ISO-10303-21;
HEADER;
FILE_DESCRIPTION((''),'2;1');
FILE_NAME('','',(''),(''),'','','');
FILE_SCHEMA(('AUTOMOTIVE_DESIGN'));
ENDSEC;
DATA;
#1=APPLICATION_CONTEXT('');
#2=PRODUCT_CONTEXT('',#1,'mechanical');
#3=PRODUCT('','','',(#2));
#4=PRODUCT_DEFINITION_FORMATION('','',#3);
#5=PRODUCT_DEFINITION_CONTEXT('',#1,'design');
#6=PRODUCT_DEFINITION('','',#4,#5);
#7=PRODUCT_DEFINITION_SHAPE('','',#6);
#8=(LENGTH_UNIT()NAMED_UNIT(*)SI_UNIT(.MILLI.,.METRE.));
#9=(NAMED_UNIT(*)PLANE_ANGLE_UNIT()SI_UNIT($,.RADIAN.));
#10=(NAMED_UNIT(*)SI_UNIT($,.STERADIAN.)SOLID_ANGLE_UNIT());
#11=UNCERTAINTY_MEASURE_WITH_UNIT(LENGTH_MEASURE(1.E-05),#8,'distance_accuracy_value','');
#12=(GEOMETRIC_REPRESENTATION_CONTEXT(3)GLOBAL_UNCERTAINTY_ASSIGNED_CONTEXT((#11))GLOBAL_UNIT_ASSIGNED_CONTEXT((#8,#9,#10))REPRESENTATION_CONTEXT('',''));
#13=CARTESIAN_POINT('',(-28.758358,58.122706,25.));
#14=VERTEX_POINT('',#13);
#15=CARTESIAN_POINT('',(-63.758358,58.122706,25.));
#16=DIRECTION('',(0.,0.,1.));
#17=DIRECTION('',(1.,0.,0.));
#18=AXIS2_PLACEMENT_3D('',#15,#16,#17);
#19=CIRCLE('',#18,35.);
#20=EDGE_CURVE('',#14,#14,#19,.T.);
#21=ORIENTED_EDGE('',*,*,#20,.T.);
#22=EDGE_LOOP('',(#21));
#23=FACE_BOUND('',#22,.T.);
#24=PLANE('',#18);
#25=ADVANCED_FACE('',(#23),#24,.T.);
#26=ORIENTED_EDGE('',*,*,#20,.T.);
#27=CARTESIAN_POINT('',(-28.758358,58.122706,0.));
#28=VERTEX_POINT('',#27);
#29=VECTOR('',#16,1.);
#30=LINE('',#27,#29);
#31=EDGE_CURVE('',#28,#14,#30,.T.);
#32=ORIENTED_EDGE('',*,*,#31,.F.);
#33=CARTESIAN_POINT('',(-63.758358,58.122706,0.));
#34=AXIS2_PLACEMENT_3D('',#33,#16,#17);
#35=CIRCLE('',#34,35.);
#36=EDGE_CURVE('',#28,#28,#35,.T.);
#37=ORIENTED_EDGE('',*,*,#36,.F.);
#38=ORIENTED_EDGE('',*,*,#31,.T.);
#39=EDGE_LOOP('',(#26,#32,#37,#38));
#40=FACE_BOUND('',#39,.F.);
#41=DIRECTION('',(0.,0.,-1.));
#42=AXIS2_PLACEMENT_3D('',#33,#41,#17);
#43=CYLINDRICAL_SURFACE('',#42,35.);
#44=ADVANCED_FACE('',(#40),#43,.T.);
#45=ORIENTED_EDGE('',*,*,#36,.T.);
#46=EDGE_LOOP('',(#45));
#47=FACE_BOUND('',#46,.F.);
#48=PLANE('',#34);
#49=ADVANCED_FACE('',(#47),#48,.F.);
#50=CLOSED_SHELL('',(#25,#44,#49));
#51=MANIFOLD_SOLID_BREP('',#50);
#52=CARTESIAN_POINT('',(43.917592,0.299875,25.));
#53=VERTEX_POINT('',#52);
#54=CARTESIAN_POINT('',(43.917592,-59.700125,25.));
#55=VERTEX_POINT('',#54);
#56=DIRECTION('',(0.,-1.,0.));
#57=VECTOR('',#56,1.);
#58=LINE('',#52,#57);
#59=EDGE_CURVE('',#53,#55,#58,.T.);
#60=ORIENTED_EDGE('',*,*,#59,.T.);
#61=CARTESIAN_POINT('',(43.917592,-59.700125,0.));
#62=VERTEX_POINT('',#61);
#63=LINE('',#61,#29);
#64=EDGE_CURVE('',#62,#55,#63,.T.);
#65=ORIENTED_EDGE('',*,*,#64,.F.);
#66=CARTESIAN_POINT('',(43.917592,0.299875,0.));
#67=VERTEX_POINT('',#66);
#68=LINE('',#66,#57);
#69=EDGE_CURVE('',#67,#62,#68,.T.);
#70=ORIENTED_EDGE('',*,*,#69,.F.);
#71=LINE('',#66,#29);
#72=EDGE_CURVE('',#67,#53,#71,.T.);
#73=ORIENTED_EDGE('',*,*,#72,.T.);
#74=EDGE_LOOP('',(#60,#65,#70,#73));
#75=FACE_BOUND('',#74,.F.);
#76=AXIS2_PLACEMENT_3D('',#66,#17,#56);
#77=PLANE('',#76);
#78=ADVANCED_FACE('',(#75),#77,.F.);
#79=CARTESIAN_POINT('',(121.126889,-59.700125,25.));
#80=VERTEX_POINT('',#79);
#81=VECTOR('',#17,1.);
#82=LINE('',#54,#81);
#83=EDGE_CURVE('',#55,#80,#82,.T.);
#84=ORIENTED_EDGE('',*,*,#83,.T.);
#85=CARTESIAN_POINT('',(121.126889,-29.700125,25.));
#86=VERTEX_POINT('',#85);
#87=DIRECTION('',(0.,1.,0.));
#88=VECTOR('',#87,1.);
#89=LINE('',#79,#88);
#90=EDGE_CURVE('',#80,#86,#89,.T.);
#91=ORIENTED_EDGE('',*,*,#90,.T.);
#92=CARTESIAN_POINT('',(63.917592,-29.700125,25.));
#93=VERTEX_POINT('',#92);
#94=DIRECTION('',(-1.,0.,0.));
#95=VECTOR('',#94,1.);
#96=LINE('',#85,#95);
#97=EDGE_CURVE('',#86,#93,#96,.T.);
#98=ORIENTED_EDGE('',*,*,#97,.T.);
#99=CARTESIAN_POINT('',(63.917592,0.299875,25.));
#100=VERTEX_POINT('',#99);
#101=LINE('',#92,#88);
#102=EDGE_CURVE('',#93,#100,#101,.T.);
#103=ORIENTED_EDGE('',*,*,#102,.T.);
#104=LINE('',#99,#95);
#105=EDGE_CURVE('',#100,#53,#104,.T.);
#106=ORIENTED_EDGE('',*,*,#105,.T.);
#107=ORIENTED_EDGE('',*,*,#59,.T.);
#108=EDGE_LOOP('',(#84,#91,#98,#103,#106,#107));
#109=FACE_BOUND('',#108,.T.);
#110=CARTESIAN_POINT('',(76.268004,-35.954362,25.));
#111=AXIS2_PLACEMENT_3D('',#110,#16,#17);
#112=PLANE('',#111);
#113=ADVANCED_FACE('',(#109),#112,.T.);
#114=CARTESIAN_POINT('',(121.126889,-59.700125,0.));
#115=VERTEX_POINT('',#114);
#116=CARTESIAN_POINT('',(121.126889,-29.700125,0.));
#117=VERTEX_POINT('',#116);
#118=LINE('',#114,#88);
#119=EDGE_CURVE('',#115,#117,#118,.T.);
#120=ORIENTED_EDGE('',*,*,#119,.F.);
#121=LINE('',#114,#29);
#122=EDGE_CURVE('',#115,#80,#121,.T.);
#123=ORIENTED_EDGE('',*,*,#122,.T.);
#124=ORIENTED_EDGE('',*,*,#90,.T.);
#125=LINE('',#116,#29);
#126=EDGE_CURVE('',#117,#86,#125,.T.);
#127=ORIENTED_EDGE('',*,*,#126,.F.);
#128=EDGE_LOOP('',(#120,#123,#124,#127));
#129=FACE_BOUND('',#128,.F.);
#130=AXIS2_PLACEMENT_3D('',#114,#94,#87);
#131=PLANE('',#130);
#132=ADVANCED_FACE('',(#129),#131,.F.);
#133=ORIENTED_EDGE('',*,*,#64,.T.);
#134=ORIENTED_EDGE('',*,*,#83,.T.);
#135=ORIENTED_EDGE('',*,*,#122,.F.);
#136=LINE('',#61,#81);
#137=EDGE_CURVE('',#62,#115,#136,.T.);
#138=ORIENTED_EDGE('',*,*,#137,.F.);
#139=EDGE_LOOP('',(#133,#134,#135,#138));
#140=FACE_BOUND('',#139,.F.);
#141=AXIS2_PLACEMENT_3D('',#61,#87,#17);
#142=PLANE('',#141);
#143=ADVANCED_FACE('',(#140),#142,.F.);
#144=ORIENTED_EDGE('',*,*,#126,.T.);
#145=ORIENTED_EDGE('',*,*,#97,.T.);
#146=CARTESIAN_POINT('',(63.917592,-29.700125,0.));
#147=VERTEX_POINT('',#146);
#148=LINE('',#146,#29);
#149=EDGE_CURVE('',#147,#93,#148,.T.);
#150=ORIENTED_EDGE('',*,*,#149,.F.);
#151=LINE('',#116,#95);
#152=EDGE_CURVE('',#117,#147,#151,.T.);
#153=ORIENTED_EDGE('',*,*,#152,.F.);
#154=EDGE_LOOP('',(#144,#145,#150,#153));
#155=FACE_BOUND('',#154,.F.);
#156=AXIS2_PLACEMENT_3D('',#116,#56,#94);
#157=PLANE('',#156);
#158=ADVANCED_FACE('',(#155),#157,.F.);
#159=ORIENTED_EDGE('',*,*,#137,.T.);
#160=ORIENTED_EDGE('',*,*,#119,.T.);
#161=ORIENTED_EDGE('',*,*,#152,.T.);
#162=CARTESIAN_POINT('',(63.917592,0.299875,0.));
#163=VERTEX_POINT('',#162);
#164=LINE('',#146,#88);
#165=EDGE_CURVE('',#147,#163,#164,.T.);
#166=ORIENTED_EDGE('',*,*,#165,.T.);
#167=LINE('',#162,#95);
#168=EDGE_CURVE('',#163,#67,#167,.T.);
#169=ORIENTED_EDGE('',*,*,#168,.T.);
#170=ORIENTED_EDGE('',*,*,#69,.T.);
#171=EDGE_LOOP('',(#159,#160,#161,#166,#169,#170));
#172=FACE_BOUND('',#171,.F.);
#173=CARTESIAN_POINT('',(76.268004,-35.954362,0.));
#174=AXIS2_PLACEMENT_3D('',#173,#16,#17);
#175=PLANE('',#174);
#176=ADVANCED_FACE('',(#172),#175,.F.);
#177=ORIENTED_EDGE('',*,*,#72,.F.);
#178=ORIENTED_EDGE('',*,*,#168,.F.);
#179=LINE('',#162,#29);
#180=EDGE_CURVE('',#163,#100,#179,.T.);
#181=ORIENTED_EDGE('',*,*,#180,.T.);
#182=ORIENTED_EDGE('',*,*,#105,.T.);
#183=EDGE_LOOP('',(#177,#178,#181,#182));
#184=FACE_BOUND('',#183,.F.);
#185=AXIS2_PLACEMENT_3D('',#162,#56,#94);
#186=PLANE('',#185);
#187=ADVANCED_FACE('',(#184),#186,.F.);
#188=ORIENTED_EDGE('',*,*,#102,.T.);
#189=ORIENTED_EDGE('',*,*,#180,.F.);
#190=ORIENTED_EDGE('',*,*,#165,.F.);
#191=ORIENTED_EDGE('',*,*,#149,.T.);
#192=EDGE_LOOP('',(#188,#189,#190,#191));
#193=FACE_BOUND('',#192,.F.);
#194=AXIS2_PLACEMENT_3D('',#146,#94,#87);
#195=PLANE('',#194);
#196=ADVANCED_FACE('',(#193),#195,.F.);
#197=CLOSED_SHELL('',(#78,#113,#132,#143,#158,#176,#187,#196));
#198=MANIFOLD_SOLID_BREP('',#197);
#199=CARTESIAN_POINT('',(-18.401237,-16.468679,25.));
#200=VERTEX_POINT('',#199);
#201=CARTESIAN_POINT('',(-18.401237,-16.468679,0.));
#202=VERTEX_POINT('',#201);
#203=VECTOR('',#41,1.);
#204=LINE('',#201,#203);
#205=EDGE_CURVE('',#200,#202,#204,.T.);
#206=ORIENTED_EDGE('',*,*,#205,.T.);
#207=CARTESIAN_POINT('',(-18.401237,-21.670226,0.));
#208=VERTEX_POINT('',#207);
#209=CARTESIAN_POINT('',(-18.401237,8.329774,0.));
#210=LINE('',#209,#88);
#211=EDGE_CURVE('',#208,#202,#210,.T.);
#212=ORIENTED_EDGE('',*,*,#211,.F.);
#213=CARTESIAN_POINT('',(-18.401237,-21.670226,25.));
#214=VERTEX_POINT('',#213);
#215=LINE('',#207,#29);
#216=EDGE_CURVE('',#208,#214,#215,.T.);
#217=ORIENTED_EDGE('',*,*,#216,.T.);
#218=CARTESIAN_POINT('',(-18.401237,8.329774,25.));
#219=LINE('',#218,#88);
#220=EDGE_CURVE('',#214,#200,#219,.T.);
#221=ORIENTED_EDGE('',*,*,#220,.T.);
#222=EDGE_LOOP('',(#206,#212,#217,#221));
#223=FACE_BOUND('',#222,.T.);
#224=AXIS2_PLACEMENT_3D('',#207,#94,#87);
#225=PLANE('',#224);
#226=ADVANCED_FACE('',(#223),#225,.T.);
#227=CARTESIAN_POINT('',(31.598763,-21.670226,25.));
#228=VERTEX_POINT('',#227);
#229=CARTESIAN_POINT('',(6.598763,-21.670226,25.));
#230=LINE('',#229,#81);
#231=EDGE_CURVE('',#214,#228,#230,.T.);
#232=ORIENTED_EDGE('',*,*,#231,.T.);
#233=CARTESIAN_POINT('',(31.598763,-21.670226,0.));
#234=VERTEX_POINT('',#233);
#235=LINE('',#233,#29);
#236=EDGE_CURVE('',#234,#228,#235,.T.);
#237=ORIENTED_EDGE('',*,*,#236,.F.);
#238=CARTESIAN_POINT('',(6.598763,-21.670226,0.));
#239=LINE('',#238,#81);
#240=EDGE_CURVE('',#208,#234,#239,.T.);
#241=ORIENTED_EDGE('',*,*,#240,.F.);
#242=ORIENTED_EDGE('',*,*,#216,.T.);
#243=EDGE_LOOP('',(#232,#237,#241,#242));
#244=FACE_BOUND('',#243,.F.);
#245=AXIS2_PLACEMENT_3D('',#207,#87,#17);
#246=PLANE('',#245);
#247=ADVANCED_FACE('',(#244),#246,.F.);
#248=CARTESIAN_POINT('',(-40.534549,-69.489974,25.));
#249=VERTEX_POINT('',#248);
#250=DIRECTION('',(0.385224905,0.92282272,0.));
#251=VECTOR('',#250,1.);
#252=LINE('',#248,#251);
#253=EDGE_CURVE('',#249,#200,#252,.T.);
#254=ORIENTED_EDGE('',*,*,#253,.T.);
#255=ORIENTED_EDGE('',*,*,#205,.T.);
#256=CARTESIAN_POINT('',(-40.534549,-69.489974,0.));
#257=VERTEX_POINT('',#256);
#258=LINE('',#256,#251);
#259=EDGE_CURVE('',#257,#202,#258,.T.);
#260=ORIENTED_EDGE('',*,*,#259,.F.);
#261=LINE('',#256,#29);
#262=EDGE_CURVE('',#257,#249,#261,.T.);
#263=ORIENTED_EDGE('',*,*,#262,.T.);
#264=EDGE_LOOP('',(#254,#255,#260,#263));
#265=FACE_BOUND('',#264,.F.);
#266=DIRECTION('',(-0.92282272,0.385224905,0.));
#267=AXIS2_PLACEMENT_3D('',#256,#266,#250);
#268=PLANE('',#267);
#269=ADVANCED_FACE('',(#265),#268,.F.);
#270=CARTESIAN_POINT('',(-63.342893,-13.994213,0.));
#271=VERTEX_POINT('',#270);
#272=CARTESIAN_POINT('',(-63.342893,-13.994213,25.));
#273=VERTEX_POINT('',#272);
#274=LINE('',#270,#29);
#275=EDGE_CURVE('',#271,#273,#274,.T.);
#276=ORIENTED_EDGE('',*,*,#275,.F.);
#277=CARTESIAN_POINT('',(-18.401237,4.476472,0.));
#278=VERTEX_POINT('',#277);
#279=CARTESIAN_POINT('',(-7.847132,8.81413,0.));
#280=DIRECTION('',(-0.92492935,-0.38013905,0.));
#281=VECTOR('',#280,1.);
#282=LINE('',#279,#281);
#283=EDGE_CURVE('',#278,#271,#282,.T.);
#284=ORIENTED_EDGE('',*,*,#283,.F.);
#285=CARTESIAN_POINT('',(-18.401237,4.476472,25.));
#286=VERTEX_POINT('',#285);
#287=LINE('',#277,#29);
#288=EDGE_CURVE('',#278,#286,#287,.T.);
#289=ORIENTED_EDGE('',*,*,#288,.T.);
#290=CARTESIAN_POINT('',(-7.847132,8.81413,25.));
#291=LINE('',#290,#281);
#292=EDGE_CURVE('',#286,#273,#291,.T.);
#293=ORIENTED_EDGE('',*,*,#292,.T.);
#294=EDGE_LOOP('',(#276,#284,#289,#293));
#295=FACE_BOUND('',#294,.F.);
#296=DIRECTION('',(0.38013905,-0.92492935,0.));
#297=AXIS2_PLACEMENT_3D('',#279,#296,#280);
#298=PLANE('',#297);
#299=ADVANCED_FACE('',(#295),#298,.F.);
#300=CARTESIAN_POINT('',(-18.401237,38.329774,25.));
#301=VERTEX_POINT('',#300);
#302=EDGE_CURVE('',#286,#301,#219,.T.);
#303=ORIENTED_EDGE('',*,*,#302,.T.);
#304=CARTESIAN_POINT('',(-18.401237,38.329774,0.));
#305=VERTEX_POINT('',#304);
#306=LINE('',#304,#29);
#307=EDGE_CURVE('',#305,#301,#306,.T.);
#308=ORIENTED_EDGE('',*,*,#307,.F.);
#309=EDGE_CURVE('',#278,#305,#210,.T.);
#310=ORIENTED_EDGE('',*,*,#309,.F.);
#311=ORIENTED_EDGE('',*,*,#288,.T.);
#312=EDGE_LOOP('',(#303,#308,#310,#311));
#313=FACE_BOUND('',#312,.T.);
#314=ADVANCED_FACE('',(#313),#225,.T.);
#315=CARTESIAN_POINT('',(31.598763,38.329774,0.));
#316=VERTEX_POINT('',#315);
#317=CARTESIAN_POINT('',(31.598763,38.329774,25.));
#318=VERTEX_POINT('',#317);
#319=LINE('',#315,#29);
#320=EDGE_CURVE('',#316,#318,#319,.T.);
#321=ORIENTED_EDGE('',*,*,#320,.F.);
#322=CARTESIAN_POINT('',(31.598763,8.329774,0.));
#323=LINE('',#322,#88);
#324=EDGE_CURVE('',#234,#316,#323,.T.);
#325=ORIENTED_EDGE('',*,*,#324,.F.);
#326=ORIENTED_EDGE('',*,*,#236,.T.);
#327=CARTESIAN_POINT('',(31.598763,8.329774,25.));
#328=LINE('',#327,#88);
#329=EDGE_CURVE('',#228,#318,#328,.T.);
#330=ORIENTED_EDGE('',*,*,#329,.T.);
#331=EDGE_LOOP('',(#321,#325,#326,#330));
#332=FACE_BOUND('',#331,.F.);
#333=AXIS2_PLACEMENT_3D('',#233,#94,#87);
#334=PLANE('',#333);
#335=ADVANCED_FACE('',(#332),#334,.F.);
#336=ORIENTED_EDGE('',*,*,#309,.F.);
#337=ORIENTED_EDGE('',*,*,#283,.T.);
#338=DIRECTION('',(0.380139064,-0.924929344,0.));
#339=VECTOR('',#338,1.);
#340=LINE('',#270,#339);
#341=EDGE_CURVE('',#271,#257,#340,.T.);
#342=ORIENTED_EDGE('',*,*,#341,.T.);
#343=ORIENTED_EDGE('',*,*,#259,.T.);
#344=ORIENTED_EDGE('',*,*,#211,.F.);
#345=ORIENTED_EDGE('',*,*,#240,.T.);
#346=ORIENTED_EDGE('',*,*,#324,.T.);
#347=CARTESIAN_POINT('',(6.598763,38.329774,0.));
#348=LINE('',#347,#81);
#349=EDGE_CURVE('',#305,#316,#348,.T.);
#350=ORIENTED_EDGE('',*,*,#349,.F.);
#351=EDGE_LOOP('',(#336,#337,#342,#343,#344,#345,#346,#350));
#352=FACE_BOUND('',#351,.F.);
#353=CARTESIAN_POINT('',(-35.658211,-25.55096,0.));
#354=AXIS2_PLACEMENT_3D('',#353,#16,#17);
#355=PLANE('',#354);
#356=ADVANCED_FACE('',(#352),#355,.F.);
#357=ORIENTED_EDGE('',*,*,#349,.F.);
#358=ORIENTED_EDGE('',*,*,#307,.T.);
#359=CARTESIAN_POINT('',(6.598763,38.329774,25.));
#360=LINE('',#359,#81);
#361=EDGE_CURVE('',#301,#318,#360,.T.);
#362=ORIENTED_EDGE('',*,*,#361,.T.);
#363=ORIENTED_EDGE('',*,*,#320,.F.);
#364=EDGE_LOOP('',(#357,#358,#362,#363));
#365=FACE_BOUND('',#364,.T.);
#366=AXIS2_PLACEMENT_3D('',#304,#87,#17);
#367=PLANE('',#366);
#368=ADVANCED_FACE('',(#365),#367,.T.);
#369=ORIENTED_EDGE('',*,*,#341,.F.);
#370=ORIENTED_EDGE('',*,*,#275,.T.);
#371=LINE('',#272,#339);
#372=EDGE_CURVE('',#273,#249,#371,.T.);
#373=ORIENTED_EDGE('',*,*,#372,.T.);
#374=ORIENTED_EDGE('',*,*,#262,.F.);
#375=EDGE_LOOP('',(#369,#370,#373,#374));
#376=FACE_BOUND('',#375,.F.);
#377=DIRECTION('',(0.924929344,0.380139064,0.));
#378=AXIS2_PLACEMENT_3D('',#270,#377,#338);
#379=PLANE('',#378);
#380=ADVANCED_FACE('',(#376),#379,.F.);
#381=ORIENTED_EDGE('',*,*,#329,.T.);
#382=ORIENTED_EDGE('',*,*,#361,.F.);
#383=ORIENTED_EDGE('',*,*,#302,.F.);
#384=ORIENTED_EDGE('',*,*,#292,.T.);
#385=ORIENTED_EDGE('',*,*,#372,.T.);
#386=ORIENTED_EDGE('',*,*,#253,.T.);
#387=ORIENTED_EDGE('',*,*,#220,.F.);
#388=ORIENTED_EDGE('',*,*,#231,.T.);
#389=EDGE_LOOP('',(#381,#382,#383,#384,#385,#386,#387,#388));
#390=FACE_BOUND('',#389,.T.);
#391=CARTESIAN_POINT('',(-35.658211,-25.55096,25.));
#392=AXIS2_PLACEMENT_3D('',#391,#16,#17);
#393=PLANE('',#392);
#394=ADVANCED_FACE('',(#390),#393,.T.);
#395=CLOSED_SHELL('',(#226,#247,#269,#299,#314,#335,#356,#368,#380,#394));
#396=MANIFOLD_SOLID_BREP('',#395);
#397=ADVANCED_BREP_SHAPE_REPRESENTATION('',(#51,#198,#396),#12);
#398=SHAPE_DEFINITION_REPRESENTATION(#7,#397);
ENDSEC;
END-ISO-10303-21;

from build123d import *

# Parameters (mm, degrees)
F2_R     = 35
F4_DEPTH = 25
F0_W     = 50
F0_H     = 60
F5_DEPTH = 25
F6_DEPTH = 25
F7_DEPTH = 25


with BuildPart() as f4:
    # F2 (on Top) → F4 (new body)
    with BuildSketch(Plane.XY):
        with Locations((-63.758358, 58.122706)):
            Circle(F2_R)
    extrude(amount=F4_DEPTH)


with BuildPart() as f5:
    # F0 (on Top) → F5 (new body)
    with BuildSketch(Plane.XY):
        with Locations((6.598763, 8.329774)):
            Rectangle(F0_W, F0_H)
    extrude(amount=F5_DEPTH)

    # F1 (on Top) → F6 (join)
    with BuildSketch(Plane.XY):
        Polygon((-63.342893, -13.994213), (-40.534549, -69.489974), (-7.847132, 8.81413), align=None)
    extrude(amount=F6_DEPTH)


with BuildPart() as f7:
    # F3 (on Top) → F7 (new body)
    with BuildSketch(Plane.XY):
        Polygon((63.917592, 0.299875), (43.917592, 0.299875), (43.917592, -59.700125), (61.126889, -59.700125), (63.917592, -59.700125), (121.126889, -59.700125), (121.126889, -29.700125), (63.917592, -29.700125), align=None)
    extrude(amount=F7_DEPTH)


solid = Compound([f4.part, f5.part, f7.part])
